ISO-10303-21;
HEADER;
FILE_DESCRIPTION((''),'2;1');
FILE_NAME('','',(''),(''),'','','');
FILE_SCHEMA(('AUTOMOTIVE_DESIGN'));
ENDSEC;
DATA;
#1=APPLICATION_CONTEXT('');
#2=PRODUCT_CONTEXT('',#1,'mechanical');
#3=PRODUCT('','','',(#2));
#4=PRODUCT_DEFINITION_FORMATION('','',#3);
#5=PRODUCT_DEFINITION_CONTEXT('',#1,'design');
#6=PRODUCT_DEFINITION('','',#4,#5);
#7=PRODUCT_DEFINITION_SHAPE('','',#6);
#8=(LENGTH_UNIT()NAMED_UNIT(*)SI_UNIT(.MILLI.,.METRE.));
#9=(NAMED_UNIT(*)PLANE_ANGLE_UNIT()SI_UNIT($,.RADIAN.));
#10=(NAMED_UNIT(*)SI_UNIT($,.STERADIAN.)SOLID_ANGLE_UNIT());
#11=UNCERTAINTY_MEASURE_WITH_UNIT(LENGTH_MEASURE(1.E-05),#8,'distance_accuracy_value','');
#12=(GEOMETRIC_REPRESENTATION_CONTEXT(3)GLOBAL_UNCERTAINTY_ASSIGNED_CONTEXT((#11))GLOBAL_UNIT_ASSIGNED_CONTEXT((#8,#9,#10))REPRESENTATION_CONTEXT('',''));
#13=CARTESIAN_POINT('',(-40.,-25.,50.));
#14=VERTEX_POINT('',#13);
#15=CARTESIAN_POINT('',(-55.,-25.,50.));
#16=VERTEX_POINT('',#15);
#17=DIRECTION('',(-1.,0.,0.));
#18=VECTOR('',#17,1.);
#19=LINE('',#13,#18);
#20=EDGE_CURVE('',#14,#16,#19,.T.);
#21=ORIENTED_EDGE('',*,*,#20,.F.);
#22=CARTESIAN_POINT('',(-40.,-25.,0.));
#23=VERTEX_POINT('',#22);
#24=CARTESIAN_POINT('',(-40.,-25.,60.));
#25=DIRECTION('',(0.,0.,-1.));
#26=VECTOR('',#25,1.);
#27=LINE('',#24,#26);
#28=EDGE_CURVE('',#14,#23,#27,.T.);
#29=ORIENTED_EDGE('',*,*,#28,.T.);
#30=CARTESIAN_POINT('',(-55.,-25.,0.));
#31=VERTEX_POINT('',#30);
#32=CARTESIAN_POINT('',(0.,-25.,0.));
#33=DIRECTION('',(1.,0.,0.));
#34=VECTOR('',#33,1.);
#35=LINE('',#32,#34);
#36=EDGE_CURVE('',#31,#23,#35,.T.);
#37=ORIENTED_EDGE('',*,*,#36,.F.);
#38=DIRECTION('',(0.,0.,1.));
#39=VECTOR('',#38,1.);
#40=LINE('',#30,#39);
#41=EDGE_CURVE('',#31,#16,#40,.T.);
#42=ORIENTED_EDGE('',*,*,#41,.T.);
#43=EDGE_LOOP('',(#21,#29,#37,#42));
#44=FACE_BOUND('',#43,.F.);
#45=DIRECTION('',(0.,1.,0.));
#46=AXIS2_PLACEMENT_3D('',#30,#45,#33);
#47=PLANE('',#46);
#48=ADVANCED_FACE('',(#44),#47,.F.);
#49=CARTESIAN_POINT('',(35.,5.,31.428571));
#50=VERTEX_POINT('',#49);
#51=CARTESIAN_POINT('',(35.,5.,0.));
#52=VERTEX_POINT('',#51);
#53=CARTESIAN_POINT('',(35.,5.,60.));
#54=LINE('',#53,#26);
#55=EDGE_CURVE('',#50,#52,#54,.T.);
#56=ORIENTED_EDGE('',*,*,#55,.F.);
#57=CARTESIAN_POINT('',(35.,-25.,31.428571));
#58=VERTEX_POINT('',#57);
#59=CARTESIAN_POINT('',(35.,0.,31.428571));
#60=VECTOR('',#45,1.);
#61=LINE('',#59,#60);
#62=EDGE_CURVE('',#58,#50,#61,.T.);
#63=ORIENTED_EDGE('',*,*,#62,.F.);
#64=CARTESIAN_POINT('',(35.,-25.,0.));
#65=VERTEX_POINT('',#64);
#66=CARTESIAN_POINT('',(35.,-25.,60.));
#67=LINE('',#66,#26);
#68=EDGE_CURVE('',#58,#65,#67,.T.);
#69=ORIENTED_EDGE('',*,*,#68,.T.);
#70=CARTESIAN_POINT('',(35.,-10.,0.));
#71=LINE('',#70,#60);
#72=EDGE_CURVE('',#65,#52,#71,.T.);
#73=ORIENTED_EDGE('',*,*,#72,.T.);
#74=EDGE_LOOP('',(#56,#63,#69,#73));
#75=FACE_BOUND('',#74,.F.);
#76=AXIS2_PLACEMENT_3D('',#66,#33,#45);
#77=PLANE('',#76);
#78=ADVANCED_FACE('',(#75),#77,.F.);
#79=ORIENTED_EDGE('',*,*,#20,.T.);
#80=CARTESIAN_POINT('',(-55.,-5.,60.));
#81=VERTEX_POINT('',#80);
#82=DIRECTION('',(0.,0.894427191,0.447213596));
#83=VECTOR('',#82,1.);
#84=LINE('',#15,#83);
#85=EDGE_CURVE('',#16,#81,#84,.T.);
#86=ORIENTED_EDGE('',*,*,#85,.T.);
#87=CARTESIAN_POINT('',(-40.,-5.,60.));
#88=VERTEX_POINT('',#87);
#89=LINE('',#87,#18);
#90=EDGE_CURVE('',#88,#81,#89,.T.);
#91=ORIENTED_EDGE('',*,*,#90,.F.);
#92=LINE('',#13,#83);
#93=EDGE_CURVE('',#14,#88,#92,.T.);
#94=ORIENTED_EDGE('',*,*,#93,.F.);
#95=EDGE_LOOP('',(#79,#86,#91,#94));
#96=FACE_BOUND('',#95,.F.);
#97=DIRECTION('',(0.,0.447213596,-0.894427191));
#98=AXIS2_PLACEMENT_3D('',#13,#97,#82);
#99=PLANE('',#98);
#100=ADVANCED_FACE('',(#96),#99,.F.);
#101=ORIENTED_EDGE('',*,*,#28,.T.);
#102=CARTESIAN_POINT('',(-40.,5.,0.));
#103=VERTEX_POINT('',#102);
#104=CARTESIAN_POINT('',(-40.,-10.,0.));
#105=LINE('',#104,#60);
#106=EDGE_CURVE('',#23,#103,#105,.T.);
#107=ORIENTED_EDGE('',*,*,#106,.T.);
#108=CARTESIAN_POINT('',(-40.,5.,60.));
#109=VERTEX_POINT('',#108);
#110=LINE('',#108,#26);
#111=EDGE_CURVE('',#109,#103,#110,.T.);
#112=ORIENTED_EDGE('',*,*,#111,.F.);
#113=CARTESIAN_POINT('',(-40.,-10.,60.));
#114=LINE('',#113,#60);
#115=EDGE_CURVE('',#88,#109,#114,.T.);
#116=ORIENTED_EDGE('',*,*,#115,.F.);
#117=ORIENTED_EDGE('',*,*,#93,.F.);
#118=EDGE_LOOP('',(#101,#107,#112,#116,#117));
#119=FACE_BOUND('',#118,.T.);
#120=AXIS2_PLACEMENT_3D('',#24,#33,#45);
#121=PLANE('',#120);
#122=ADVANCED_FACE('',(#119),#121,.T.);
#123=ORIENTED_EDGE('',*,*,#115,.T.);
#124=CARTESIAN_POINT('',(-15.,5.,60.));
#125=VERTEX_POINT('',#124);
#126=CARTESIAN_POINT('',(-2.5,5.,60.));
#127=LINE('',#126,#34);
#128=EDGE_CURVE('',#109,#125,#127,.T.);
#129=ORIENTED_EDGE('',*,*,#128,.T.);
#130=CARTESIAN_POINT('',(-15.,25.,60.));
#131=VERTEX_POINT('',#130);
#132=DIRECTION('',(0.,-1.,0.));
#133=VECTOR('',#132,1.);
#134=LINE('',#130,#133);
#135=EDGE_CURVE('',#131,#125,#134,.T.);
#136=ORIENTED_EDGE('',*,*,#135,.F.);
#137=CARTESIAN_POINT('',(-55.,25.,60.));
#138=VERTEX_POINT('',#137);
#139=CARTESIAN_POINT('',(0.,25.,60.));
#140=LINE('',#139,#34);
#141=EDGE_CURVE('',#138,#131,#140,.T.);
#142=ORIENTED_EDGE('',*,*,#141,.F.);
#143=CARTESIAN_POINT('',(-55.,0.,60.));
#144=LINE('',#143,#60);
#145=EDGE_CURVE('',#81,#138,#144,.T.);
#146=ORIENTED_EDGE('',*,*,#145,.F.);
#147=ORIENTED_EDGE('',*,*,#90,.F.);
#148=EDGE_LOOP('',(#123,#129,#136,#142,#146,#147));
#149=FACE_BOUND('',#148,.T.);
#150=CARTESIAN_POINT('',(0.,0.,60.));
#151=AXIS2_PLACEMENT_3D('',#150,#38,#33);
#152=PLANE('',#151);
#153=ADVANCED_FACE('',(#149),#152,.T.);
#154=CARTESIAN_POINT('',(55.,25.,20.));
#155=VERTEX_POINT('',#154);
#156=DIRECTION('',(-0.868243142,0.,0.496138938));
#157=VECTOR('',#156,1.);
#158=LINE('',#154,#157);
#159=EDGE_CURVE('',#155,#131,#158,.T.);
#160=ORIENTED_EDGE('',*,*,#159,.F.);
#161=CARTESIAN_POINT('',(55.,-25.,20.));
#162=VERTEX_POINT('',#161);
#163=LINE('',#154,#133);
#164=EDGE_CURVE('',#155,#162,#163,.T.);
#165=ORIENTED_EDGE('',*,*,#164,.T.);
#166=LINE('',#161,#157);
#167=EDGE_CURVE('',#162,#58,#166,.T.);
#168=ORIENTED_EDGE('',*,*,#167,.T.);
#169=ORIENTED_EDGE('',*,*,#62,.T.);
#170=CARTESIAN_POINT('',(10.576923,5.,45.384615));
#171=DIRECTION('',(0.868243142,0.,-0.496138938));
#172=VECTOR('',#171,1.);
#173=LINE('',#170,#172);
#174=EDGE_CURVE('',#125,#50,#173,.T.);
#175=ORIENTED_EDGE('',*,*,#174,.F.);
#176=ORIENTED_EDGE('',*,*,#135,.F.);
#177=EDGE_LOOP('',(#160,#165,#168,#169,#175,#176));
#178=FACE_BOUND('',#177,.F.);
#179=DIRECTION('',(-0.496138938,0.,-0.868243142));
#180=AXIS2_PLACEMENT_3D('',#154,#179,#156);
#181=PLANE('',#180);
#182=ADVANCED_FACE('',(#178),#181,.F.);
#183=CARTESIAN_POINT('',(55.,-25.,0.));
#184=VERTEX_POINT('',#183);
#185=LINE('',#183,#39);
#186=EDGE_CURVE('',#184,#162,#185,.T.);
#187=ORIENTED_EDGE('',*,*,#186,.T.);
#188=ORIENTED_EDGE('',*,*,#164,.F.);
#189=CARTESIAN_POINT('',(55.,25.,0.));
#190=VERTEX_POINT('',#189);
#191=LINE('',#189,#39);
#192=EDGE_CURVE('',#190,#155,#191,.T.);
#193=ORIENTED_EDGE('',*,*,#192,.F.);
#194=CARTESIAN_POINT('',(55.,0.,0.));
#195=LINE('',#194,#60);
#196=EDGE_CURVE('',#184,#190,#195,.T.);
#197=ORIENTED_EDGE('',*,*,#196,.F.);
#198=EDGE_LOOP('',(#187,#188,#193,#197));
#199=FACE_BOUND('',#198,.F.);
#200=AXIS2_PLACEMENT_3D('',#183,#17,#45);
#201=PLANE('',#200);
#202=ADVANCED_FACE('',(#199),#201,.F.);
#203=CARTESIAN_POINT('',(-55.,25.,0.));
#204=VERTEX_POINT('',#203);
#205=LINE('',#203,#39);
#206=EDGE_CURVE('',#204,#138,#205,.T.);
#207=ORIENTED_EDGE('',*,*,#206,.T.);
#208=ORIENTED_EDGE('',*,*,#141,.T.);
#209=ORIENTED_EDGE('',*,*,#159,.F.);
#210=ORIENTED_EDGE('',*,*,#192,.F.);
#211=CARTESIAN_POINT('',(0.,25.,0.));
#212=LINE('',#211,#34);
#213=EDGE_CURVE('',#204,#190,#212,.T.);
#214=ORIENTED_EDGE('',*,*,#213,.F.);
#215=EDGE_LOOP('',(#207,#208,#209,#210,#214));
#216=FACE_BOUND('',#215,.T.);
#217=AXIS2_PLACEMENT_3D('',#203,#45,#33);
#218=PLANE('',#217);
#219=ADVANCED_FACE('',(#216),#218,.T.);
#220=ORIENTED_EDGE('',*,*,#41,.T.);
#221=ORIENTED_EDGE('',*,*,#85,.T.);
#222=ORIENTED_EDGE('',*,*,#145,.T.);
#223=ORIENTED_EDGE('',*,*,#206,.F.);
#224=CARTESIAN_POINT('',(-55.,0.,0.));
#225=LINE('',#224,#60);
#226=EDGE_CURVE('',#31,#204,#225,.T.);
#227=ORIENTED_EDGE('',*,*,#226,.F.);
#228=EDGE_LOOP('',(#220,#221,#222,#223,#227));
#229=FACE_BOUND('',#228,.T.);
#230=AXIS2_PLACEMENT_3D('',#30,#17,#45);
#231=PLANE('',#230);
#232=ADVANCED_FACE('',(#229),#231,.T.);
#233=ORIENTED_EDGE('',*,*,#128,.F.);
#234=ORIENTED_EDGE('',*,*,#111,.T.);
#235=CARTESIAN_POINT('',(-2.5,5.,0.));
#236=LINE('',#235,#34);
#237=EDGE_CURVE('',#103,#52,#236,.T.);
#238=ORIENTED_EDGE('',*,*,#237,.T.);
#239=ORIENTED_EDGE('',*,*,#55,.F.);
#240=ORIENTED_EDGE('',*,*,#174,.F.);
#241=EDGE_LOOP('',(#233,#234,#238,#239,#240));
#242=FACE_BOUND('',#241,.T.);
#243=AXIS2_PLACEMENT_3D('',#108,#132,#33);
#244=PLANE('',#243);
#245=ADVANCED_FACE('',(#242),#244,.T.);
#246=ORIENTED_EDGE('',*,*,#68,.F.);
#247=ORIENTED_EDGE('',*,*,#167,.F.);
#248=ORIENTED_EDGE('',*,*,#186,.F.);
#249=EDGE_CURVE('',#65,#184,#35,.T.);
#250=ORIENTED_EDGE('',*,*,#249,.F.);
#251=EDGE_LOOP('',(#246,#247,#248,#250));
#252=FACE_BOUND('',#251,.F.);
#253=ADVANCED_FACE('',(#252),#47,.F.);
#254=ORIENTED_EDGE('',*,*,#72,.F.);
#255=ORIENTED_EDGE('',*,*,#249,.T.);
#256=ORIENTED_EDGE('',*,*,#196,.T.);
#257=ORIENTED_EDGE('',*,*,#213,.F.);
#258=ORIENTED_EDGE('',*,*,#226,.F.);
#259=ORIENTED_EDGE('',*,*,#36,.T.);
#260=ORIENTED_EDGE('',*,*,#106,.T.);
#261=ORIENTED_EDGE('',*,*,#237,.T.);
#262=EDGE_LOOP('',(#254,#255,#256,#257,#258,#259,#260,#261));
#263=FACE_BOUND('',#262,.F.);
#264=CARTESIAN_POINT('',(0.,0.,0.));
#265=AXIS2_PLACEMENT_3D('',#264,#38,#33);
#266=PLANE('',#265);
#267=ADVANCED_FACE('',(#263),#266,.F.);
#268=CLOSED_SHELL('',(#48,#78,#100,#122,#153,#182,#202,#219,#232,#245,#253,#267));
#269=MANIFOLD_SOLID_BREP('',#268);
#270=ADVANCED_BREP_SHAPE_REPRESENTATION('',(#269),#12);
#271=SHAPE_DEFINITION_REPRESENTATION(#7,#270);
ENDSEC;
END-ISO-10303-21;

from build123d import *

# Parameters (mm, degrees)
F2_W     = 110
F2_H     = 50
F3_DEPTH = 60
F4_W     = 75
F4_H     = 30
F5_DEPTH = 60
F7_DEPTH = 50
F9_DEPTH = 15


with BuildPart() as f3:
    # F2 (on Top) → F3 (new body)
    with BuildSketch(Plane.XY):
        Rectangle(F2_W, F2_H)
    extrude(amount=F3_DEPTH)

    # F4 (on face) → F5 (cut)
    with BuildSketch(Plane.XY.offset(60)):
        with Locations((-2.5, -10)):
            Rectangle(F4_W, F4_H)
    extrude(amount=-F5_DEPTH, mode=Mode.SUBTRACT)

    # F6 (on face) → F7 (cut)
    with BuildSketch(Plane(origin=(0, 25, 0), x_dir=(-1, 0, 0), z_dir=(0, 1, 0))):
        Polygon((15, 60), (-55, 60), (-55, 20), align=None)
    extrude(amount=-F7_DEPTH, mode=Mode.SUBTRACT)

    # F8 (on face) → F9 (cut)
    with BuildSketch(Plane.YZ.offset(-40)):
        Polygon((-5, 60), (-25, 60), (-25, 50), align=None)
    extrude(amount=-F9_DEPTH, mode=Mode.SUBTRACT)


solid = f3.part
